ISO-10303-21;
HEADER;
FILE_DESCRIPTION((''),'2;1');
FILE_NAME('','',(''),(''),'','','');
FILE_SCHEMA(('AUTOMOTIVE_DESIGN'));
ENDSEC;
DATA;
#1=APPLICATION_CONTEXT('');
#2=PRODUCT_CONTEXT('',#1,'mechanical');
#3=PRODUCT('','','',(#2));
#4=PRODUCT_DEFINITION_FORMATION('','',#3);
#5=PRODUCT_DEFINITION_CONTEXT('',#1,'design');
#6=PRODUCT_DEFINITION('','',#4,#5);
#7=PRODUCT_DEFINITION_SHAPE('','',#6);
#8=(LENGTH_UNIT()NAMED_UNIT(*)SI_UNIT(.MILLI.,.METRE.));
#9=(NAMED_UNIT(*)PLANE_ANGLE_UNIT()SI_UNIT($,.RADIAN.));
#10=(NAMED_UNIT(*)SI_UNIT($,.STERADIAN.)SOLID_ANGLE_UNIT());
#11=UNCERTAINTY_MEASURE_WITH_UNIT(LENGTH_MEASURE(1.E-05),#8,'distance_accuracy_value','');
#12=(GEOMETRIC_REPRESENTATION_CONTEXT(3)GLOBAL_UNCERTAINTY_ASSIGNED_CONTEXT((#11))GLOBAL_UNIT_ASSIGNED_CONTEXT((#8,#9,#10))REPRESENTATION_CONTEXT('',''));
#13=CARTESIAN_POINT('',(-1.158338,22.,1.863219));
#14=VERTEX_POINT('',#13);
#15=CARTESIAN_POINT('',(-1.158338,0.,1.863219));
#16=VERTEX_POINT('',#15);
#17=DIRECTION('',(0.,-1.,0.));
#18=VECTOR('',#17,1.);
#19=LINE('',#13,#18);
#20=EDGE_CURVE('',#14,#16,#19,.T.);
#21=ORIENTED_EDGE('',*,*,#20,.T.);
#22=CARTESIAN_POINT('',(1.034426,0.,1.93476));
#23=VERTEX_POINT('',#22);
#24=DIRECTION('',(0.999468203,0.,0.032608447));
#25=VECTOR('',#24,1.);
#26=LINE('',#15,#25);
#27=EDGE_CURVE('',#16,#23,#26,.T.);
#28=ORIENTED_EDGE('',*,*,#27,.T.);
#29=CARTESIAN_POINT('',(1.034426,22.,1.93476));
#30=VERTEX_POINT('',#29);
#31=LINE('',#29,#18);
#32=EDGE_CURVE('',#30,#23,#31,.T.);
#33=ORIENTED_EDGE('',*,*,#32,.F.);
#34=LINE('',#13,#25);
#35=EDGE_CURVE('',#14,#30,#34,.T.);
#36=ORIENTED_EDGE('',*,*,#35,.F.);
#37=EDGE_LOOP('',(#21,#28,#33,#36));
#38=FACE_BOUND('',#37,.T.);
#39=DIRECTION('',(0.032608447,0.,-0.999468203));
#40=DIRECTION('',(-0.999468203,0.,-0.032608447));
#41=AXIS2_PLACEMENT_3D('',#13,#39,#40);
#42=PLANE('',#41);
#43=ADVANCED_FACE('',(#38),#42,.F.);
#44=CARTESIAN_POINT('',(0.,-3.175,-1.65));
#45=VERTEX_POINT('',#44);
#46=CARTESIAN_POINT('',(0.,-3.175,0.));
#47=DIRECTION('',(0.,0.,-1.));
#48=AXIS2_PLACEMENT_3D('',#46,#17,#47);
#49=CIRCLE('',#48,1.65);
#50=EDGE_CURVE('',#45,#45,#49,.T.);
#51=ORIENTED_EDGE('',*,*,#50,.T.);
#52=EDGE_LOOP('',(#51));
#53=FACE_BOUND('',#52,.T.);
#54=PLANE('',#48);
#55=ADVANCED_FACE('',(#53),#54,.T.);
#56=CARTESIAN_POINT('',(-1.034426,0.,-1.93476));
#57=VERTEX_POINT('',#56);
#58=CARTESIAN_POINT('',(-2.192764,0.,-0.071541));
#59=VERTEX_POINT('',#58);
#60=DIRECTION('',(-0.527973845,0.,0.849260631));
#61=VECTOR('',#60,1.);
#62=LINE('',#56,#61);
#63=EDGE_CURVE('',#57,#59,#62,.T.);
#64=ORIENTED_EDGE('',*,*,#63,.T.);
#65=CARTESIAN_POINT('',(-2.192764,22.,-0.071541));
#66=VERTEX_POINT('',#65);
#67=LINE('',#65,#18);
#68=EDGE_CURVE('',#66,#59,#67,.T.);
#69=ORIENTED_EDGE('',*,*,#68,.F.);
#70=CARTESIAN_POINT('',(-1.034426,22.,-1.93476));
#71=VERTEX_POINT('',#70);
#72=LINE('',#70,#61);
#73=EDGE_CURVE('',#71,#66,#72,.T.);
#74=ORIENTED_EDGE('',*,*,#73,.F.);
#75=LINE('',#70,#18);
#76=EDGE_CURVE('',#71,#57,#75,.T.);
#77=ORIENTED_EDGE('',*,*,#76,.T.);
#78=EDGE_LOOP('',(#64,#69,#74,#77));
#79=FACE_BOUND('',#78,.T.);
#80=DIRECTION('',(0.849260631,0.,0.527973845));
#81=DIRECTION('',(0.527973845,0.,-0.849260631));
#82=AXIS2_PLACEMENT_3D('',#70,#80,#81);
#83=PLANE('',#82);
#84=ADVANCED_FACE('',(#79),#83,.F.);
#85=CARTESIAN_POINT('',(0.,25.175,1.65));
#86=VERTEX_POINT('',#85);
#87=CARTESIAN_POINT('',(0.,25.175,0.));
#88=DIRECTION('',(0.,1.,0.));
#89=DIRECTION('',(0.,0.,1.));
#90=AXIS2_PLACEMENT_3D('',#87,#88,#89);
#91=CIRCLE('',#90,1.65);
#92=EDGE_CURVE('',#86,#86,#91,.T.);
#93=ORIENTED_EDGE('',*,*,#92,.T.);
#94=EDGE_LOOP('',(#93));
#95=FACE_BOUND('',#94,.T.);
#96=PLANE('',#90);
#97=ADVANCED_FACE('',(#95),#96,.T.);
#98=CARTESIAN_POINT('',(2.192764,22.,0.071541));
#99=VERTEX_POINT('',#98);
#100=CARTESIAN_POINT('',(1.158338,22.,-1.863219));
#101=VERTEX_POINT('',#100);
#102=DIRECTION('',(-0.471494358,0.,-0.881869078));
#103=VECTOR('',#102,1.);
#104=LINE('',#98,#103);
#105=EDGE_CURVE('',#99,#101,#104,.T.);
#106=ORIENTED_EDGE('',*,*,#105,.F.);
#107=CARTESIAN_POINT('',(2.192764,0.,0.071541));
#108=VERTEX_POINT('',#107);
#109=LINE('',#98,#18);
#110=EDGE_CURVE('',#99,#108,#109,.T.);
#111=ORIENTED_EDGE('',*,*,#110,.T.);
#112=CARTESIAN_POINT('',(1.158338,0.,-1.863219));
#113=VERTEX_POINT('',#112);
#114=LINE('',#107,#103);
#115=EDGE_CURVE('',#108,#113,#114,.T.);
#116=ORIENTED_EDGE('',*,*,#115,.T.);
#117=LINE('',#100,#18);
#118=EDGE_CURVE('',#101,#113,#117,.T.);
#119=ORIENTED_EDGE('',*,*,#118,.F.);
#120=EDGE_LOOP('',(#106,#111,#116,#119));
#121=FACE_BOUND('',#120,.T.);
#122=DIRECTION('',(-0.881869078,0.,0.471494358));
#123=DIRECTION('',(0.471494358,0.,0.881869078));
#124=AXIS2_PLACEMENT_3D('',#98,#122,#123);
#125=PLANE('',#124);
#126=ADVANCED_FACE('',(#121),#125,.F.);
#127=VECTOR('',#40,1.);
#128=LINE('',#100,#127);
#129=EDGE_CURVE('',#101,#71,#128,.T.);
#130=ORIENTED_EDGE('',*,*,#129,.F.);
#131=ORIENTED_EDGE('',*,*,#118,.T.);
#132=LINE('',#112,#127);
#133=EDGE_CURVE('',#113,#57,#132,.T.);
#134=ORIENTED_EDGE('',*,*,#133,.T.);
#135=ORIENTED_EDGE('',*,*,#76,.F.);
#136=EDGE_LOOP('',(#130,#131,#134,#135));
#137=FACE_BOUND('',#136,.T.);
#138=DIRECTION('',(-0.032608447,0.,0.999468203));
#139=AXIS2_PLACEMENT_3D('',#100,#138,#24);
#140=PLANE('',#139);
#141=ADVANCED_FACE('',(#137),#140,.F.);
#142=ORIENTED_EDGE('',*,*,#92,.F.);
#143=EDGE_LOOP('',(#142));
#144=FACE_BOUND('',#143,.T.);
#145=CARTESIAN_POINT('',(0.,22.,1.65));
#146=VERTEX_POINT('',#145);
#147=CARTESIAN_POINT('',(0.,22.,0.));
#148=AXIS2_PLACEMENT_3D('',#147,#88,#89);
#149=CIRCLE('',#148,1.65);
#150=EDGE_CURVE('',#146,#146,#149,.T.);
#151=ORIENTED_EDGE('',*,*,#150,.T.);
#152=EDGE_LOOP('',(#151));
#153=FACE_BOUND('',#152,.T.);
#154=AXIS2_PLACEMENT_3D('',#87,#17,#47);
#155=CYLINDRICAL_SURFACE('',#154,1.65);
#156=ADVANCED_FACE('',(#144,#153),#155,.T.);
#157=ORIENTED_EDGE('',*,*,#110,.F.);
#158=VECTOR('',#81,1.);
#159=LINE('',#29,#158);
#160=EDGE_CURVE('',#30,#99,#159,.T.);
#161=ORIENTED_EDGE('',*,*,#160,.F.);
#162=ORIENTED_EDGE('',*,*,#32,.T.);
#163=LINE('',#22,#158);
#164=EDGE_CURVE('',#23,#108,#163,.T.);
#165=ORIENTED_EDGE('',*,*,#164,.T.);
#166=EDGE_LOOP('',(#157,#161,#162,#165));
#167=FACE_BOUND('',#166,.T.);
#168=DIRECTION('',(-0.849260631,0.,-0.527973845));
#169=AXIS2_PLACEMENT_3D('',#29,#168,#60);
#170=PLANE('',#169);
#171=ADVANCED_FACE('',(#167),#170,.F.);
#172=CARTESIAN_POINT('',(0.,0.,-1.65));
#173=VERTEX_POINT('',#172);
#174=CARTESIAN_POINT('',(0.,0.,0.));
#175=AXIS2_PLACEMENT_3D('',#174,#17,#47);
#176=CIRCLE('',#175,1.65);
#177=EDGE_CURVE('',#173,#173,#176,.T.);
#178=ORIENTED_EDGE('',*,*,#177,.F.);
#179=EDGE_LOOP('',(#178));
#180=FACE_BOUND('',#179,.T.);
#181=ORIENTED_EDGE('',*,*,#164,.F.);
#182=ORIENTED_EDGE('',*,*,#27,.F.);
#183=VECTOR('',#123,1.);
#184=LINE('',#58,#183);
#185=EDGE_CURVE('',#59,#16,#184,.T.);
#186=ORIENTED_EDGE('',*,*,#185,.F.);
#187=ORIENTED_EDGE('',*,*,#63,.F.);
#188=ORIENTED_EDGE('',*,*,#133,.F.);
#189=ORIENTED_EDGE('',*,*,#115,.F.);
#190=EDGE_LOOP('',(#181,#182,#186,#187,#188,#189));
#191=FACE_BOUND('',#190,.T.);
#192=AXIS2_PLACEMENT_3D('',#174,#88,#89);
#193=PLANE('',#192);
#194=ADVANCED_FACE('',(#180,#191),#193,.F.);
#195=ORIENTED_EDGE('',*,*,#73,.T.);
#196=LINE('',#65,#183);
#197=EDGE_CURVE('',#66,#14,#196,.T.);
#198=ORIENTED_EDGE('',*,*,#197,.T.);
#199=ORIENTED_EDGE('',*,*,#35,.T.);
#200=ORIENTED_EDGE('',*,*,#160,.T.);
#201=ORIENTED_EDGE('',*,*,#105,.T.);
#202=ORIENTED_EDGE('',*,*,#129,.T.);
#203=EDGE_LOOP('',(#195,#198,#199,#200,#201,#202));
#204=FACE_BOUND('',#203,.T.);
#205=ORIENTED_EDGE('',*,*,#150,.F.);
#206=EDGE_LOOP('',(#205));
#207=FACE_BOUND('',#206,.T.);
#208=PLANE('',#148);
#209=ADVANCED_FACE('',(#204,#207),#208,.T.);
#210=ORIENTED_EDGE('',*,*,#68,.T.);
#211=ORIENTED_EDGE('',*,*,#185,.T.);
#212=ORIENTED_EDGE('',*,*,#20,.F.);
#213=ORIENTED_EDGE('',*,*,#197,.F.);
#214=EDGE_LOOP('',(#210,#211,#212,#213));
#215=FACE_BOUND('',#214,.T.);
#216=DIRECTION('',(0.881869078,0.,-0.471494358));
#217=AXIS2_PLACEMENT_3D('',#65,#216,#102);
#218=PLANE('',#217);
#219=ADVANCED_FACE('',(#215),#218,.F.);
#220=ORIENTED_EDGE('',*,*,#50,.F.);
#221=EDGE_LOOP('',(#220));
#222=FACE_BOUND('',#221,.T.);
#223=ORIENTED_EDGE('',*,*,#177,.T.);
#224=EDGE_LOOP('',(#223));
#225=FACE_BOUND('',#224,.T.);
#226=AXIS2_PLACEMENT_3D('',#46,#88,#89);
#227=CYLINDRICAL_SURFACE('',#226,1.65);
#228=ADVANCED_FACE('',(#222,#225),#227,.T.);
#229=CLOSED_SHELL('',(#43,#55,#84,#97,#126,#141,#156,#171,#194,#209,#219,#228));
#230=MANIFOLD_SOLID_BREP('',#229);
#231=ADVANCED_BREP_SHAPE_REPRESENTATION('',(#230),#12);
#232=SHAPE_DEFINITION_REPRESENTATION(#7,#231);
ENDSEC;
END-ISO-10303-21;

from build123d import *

# Parameters (mm, degrees)
BOSS_EXTRUDE1_DEPTH = 22
SKETCH2_R           = 1.65
BOSS_EXTRUDE2_DEPTH = 3.175
SKETCH3_R           = 1.65
BOSS_EXTRUDE3_DEPTH = 3.175


with BuildPart() as part:
    # Sketch1 → Boss-Extrude1 (new body)
    with BuildSketch(Plane(origin=(0, 0, 0), x_dir=(1, 0, 0), z_dir=(0, 1, 0))):
        Polygon((1.0344261, -1.934759928), (2.192764297, -0.071540683), (1.158338198, 1.863219245), (-1.0344261, 1.934759928), (-2.192764297, 0.071540683), (-1.158338198, -1.863219245), align=None)
    extrude(amount=BOSS_EXTRUDE1_DEPTH)

    # Sketch2 → Boss-Extrude2 (add)
    with BuildSketch(Plane(origin=(0, 22, 0), x_dir=(1, 0, 0), z_dir=(0, 1, 0))):
        Circle(SKETCH2_R)
    extrude(amount=BOSS_EXTRUDE2_DEPTH)

    # Sketch3 → Boss-Extrude3 (add)
    with BuildSketch(Plane.XZ):
        Circle(SKETCH3_R)
    extrude(amount=BOSS_EXTRUDE3_DEPTH)


solid = part.part
